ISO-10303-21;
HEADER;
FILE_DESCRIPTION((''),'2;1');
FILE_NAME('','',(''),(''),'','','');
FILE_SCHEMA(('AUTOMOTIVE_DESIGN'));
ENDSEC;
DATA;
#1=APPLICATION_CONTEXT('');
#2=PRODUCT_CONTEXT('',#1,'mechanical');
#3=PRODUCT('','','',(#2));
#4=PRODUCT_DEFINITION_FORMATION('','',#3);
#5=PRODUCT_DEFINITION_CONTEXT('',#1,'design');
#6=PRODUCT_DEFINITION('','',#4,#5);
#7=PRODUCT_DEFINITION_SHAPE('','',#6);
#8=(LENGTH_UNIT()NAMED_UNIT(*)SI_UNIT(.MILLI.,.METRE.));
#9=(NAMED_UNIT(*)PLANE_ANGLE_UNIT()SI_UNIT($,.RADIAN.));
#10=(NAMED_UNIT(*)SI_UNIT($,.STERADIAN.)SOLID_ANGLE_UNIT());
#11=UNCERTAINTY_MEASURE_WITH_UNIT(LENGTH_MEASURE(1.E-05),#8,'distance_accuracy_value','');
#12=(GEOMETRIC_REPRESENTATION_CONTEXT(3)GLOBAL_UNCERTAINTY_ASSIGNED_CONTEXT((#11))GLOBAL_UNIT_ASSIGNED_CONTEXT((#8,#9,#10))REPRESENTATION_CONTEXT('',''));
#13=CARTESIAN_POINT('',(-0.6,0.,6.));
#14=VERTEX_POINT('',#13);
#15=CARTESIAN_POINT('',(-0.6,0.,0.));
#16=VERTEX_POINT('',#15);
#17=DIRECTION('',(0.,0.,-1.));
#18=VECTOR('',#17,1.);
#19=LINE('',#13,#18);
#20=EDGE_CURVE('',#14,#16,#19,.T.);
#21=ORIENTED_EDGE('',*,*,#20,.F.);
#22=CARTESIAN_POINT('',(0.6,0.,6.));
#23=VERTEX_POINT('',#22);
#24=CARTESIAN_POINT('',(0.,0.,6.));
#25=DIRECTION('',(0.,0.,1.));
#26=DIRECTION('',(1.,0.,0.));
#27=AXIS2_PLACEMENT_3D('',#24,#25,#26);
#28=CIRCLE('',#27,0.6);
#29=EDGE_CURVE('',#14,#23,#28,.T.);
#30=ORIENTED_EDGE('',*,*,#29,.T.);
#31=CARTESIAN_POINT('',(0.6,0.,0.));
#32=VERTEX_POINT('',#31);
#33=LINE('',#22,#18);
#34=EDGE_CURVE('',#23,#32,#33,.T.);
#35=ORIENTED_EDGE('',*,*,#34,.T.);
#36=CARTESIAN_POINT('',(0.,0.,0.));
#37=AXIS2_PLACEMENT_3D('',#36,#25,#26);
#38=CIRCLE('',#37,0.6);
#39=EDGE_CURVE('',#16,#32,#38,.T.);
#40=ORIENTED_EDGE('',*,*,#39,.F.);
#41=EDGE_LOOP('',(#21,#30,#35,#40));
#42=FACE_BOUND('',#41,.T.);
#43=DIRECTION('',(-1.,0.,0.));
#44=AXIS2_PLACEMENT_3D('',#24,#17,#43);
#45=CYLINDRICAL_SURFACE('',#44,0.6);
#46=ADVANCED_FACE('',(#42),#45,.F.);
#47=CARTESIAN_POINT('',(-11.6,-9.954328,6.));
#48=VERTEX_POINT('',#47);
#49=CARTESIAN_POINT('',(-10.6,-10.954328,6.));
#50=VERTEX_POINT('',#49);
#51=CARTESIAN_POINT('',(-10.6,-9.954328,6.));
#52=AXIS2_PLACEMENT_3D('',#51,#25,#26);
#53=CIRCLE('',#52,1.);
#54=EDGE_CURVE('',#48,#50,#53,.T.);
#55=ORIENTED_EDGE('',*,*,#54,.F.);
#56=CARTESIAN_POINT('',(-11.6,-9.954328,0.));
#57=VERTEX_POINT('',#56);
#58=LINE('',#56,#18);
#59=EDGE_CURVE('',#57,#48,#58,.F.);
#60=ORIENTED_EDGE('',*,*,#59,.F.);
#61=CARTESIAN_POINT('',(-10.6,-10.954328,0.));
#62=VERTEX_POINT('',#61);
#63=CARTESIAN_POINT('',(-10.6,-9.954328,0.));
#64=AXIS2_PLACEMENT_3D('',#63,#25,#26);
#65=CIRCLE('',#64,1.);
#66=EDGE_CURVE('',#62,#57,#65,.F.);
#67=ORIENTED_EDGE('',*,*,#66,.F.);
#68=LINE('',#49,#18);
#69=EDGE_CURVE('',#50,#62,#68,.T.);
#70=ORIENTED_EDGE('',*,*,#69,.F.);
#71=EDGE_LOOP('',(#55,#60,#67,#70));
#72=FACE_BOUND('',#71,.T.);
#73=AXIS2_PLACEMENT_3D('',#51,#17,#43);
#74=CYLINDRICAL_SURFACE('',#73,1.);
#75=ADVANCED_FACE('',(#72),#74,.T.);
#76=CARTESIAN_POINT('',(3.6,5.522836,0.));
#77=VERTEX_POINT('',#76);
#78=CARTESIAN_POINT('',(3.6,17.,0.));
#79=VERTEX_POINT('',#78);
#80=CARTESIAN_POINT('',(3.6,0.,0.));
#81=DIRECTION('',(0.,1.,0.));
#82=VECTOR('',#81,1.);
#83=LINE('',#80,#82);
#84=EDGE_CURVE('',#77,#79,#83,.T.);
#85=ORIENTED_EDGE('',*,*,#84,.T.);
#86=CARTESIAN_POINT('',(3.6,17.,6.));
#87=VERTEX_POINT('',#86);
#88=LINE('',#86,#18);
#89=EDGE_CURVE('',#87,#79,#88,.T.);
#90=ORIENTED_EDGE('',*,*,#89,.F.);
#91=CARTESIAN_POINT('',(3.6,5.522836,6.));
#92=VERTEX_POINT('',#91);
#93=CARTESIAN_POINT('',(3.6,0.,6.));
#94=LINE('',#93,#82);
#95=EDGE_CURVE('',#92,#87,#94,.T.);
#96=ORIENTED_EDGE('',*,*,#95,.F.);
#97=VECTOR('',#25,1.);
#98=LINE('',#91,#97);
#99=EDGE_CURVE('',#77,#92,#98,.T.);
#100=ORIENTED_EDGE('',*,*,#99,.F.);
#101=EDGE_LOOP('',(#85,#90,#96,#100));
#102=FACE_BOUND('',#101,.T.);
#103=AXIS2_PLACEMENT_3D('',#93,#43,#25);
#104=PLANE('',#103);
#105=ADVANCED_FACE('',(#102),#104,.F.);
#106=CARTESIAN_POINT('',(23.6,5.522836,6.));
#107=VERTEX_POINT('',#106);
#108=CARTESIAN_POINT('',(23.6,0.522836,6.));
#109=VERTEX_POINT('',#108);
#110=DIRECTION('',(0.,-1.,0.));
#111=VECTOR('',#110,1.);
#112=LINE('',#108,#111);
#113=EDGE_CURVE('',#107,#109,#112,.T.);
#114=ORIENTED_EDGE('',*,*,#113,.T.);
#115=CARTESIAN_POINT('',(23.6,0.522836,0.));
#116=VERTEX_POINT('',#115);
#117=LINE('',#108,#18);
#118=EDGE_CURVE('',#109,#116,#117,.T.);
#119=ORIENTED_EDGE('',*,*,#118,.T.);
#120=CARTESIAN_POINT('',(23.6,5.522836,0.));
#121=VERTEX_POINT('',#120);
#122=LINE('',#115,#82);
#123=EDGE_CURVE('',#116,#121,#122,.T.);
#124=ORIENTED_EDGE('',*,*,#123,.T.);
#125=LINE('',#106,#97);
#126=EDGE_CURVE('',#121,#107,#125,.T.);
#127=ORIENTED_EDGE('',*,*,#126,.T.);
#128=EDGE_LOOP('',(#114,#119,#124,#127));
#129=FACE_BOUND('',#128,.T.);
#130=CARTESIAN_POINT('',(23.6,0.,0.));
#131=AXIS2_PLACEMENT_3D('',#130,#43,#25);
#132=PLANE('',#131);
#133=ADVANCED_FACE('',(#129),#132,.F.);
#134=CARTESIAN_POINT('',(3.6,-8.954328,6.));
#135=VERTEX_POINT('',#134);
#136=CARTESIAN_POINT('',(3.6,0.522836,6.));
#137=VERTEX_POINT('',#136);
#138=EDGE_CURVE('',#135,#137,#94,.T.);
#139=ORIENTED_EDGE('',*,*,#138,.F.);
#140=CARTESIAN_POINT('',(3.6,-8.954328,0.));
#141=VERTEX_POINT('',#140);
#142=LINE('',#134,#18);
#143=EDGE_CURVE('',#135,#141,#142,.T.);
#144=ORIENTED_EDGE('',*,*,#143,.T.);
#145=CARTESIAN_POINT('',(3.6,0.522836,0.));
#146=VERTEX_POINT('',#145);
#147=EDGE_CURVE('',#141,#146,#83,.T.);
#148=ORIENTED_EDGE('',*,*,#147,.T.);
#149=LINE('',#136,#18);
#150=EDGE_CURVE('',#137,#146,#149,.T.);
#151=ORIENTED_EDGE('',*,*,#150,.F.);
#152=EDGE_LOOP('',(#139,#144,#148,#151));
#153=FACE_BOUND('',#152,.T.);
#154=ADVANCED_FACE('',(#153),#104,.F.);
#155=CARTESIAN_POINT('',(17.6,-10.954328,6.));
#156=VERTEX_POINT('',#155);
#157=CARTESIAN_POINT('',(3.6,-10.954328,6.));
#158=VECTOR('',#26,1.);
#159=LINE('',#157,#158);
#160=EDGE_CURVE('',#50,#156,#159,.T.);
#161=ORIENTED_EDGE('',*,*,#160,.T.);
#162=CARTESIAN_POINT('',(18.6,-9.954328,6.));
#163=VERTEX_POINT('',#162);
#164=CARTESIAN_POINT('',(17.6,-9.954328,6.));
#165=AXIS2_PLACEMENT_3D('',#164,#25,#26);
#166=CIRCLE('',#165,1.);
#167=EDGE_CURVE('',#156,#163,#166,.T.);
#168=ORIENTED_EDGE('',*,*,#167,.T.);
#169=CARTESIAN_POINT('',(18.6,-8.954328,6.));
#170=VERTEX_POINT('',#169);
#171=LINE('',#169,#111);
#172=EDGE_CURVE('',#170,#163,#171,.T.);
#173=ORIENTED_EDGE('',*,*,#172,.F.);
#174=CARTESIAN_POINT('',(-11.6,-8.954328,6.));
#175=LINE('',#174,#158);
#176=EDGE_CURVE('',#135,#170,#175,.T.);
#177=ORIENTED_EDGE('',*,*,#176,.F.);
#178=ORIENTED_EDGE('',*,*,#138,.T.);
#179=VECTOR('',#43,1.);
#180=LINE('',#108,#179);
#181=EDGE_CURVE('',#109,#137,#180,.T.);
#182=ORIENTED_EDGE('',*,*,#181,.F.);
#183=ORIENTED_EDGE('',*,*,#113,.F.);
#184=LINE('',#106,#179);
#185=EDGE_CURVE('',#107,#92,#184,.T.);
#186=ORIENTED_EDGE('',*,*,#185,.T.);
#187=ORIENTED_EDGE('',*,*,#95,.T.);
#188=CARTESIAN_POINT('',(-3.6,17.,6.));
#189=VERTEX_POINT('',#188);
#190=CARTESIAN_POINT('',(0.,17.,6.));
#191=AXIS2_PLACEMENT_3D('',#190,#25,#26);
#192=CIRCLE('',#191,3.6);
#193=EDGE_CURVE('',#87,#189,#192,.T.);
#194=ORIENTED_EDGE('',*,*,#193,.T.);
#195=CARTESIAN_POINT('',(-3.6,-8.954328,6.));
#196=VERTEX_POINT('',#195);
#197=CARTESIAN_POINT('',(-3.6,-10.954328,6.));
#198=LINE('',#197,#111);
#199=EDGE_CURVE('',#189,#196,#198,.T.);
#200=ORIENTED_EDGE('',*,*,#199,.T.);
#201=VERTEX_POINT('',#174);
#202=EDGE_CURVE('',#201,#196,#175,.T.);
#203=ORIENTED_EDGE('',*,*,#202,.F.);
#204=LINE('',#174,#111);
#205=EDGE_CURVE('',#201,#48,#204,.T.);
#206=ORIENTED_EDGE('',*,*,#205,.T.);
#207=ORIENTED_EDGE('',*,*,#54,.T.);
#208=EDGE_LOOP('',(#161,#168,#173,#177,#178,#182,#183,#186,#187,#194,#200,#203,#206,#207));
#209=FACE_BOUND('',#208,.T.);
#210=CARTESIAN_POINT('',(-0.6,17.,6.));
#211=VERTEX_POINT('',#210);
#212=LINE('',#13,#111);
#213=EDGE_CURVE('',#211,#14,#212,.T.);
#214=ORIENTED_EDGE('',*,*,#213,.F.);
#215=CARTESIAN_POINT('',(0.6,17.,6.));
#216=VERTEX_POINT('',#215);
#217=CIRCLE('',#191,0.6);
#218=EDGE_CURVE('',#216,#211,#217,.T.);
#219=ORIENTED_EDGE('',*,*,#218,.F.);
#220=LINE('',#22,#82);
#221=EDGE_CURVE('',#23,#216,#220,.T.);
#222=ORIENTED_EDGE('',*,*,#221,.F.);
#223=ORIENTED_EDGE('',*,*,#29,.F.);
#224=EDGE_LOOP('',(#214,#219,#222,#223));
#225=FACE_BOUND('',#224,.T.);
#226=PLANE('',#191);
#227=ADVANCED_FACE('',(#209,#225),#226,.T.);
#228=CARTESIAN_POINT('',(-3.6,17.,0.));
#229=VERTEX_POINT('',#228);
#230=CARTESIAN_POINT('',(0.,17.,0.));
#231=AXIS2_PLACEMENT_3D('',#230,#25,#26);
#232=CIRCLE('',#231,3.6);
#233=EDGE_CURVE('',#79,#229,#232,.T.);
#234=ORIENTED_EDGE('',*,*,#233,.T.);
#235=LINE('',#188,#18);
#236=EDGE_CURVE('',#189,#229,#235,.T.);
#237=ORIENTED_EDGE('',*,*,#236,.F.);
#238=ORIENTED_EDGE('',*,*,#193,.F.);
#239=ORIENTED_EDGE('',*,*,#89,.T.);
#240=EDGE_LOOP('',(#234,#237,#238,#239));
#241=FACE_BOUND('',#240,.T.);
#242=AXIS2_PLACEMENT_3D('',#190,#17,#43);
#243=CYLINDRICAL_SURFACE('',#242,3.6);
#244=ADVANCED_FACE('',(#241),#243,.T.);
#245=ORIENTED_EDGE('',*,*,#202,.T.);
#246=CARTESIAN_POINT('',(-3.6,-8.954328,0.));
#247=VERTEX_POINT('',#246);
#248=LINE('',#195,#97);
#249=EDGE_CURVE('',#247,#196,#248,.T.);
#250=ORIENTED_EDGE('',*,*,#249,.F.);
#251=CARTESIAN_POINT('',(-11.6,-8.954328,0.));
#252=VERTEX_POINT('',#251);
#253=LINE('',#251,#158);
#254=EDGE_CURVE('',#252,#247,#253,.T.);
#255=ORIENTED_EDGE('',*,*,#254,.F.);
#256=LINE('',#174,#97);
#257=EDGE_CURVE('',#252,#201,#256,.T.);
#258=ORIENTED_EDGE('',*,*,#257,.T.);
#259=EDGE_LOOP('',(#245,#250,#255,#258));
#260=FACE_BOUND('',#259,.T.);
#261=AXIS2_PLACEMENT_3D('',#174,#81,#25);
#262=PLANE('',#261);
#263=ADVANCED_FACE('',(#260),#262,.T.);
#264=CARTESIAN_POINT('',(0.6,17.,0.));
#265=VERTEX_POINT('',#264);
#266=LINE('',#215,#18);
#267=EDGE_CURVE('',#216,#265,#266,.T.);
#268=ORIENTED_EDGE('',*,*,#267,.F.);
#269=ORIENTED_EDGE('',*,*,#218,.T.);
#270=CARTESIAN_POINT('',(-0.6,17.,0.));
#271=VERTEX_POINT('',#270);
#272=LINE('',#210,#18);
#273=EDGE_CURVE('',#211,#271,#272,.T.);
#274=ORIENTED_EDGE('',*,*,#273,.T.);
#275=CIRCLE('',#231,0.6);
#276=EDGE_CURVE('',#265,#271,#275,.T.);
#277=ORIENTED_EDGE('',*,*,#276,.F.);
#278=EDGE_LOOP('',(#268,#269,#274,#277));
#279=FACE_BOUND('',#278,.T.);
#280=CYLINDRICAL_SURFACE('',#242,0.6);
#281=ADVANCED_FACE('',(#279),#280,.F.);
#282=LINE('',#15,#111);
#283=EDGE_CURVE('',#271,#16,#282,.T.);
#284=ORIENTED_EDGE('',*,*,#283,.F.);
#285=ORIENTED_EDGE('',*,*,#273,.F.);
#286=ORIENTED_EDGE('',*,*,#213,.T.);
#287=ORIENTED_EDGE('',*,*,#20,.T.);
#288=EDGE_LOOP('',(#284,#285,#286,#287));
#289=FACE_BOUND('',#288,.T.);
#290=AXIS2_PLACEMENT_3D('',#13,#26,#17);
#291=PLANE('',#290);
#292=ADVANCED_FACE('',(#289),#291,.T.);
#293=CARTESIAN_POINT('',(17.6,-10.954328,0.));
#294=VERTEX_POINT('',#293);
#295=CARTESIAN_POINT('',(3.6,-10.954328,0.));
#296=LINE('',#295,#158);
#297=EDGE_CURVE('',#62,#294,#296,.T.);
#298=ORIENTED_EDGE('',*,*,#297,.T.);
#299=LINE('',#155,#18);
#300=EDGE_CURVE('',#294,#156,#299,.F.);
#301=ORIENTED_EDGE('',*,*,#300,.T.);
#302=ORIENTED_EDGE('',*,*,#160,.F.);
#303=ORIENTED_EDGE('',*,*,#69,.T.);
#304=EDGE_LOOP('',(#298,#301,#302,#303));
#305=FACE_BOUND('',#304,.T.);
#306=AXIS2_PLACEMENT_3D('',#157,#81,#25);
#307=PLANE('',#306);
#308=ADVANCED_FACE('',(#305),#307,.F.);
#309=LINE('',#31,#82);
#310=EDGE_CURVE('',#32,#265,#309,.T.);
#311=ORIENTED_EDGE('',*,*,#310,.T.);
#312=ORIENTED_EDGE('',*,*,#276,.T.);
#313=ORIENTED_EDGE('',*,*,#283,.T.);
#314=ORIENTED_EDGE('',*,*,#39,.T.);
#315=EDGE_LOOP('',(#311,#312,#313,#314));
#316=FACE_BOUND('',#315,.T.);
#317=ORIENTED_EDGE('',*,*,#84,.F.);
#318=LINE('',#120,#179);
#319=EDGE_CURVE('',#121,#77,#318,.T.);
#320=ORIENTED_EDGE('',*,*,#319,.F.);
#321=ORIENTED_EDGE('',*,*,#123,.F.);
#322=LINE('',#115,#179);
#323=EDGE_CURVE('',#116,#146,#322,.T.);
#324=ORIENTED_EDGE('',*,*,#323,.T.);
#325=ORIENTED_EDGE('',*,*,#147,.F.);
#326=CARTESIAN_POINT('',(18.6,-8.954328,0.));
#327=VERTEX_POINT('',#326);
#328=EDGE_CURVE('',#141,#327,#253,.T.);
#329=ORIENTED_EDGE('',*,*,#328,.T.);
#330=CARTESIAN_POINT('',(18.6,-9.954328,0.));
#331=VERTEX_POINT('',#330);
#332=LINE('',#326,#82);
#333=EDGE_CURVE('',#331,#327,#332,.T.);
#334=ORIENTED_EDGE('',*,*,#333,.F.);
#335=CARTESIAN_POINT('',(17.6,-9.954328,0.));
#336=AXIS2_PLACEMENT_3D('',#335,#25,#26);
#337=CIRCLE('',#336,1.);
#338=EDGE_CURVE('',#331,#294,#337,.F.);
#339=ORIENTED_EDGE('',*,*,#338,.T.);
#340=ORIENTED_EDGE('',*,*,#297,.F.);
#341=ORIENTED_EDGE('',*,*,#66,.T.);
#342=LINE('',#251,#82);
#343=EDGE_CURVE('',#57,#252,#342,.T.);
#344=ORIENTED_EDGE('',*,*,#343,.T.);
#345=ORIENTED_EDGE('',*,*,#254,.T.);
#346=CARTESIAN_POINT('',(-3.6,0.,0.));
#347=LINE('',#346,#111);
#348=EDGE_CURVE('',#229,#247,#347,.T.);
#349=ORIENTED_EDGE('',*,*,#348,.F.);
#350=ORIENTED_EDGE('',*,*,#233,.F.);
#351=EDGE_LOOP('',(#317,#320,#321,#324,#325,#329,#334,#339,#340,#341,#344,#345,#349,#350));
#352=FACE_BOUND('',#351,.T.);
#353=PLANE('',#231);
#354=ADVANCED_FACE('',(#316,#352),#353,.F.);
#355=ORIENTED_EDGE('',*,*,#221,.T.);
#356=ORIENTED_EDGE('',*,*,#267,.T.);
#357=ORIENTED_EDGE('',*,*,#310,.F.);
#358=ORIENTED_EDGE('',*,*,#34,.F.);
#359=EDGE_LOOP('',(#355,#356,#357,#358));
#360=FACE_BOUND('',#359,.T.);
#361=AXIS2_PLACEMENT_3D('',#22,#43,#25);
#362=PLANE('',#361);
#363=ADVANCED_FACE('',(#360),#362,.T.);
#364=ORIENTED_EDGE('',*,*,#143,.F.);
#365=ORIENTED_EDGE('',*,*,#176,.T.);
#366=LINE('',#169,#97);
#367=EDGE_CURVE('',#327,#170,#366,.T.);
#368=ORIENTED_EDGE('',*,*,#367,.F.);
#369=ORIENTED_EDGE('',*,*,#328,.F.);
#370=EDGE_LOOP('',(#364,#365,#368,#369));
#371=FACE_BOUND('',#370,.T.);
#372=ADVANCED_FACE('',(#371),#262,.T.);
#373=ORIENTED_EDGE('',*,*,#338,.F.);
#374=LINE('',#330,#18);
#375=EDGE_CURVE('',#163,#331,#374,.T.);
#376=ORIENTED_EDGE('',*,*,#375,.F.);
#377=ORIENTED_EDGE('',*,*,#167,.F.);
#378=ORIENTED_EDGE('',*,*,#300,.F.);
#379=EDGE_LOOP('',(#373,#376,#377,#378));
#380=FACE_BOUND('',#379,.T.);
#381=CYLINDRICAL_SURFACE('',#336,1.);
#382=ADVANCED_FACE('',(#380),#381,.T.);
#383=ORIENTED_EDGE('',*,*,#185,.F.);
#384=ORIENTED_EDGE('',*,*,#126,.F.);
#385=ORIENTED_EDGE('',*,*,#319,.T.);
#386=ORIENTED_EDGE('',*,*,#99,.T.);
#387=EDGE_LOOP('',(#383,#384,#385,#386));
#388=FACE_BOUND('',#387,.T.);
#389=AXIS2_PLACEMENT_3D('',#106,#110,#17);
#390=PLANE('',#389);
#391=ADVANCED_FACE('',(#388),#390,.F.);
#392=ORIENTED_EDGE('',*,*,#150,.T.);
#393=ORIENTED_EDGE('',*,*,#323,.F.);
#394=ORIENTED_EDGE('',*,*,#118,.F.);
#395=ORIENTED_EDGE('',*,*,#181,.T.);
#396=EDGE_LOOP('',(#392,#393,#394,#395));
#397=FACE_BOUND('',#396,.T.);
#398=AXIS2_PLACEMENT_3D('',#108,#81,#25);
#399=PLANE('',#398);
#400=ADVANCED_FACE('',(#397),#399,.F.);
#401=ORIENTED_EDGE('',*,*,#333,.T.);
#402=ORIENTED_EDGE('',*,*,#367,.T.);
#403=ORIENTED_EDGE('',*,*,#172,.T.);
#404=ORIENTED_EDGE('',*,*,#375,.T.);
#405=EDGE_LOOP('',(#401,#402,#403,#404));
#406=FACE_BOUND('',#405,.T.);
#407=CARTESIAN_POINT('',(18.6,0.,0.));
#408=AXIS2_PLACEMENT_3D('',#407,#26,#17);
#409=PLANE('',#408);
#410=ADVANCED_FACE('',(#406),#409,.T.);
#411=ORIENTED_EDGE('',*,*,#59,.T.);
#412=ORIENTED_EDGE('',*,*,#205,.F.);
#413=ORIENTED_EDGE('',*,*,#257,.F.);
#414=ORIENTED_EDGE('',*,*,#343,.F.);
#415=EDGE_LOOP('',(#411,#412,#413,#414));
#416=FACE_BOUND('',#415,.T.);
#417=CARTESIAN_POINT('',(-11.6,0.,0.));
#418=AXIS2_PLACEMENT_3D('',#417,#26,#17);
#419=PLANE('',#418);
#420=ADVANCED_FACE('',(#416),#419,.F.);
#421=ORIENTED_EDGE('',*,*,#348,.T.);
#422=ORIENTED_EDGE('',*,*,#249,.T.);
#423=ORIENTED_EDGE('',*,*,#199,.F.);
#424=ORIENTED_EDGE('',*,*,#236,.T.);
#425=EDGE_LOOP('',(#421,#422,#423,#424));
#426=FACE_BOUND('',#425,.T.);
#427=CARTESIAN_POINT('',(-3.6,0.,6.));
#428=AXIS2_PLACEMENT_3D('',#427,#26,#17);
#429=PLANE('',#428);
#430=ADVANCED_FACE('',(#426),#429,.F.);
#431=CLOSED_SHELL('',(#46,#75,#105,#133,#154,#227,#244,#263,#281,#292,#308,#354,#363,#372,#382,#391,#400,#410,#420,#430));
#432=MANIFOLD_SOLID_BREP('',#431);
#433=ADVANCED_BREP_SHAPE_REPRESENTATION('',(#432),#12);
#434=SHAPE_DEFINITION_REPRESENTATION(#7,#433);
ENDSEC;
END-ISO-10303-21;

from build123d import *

# Parameters (mm, degrees)
BOSS_EXTRUDE1_DEPTH  = 6
SKETCH2_W            = 6
SKETCH2_H            = 5
BOSS_EXTRUDE2_DEPTH  = 20
EXTRUDE_1_DEPTH      = 15
EXTRUDE_1_DEPTH_BACK = 15.2
SKETCH_2_W           = 6
SKETCH_2_H           = 2
FILLET_3_R           = 1


with BuildPart() as part:
    # Sketch1 → Boss-Extrude1 (new body)
    with BuildSketch(Plane.XY):
        with BuildLine():
            Line((-3.6, 0), (-3.6, 17))
            ThreePointArc((-3.6, 17), (0, 20.6), (3.6, 17))
            Line((3.6, 17), (3.6, 0))
            Line((3.6, 0), (3.6, -10.95432829))
            Line((3.6, -10.95432829), (-3.6, -10.95432829))
            Line((-3.6, -10.95432829), (-3.6, 0))
        make_face()
        with BuildLine():
            Line((-0.6, 0), (-0.6, 17))
            ThreePointArc((-0.6, 17), (0, 17.6), (0.6, 17))
            Line((0.6, 17), (0.6, 0))
            ThreePointArc((0.6, 0), (0, -0.6), (-0.6, 0))
        make_face(mode=Mode.SUBTRACT)
    extrude(amount=BOSS_EXTRUDE1_DEPTH)

    # Sketch2 → Boss-Extrude2 (add)
    with BuildSketch(Plane(origin=(3.6, 0, 0), x_dir=(0, 0, -1), z_dir=(1, 0, 0))):
        with Locations((-3, 3.022835855)):
            Rectangle(SKETCH2_W, SKETCH2_H)
    extrude(amount=BOSS_EXTRUDE2_DEPTH)

    # Эскиз2 → Бобышка-Вытянуть1 (add, two sides: drawn at the far end of the back side and taken through both)
    with BuildSketch(Plane(origin=(3.6, 0, 0), x_dir=(0, 0, -1), z_dir=(1, 0, 0)).offset(-EXTRUDE_1_DEPTH_BACK)):
        with Locations((-3, -9.95432829)):
            Rectangle(SKETCH_2_W, SKETCH_2_H)
    extrude(amount=EXTRUDE_1_DEPTH + EXTRUDE_1_DEPTH_BACK)

    # Скругление3
    fillet_3_edges = [part.edges().sort_by_distance(p)[0] for p in [
        (-11.6, -10.95432829, 3),
        (18.6, -10.95432829, 3),
    ]]
    fillet(fillet_3_edges, radius=FILLET_3_R)


solid = part.part
